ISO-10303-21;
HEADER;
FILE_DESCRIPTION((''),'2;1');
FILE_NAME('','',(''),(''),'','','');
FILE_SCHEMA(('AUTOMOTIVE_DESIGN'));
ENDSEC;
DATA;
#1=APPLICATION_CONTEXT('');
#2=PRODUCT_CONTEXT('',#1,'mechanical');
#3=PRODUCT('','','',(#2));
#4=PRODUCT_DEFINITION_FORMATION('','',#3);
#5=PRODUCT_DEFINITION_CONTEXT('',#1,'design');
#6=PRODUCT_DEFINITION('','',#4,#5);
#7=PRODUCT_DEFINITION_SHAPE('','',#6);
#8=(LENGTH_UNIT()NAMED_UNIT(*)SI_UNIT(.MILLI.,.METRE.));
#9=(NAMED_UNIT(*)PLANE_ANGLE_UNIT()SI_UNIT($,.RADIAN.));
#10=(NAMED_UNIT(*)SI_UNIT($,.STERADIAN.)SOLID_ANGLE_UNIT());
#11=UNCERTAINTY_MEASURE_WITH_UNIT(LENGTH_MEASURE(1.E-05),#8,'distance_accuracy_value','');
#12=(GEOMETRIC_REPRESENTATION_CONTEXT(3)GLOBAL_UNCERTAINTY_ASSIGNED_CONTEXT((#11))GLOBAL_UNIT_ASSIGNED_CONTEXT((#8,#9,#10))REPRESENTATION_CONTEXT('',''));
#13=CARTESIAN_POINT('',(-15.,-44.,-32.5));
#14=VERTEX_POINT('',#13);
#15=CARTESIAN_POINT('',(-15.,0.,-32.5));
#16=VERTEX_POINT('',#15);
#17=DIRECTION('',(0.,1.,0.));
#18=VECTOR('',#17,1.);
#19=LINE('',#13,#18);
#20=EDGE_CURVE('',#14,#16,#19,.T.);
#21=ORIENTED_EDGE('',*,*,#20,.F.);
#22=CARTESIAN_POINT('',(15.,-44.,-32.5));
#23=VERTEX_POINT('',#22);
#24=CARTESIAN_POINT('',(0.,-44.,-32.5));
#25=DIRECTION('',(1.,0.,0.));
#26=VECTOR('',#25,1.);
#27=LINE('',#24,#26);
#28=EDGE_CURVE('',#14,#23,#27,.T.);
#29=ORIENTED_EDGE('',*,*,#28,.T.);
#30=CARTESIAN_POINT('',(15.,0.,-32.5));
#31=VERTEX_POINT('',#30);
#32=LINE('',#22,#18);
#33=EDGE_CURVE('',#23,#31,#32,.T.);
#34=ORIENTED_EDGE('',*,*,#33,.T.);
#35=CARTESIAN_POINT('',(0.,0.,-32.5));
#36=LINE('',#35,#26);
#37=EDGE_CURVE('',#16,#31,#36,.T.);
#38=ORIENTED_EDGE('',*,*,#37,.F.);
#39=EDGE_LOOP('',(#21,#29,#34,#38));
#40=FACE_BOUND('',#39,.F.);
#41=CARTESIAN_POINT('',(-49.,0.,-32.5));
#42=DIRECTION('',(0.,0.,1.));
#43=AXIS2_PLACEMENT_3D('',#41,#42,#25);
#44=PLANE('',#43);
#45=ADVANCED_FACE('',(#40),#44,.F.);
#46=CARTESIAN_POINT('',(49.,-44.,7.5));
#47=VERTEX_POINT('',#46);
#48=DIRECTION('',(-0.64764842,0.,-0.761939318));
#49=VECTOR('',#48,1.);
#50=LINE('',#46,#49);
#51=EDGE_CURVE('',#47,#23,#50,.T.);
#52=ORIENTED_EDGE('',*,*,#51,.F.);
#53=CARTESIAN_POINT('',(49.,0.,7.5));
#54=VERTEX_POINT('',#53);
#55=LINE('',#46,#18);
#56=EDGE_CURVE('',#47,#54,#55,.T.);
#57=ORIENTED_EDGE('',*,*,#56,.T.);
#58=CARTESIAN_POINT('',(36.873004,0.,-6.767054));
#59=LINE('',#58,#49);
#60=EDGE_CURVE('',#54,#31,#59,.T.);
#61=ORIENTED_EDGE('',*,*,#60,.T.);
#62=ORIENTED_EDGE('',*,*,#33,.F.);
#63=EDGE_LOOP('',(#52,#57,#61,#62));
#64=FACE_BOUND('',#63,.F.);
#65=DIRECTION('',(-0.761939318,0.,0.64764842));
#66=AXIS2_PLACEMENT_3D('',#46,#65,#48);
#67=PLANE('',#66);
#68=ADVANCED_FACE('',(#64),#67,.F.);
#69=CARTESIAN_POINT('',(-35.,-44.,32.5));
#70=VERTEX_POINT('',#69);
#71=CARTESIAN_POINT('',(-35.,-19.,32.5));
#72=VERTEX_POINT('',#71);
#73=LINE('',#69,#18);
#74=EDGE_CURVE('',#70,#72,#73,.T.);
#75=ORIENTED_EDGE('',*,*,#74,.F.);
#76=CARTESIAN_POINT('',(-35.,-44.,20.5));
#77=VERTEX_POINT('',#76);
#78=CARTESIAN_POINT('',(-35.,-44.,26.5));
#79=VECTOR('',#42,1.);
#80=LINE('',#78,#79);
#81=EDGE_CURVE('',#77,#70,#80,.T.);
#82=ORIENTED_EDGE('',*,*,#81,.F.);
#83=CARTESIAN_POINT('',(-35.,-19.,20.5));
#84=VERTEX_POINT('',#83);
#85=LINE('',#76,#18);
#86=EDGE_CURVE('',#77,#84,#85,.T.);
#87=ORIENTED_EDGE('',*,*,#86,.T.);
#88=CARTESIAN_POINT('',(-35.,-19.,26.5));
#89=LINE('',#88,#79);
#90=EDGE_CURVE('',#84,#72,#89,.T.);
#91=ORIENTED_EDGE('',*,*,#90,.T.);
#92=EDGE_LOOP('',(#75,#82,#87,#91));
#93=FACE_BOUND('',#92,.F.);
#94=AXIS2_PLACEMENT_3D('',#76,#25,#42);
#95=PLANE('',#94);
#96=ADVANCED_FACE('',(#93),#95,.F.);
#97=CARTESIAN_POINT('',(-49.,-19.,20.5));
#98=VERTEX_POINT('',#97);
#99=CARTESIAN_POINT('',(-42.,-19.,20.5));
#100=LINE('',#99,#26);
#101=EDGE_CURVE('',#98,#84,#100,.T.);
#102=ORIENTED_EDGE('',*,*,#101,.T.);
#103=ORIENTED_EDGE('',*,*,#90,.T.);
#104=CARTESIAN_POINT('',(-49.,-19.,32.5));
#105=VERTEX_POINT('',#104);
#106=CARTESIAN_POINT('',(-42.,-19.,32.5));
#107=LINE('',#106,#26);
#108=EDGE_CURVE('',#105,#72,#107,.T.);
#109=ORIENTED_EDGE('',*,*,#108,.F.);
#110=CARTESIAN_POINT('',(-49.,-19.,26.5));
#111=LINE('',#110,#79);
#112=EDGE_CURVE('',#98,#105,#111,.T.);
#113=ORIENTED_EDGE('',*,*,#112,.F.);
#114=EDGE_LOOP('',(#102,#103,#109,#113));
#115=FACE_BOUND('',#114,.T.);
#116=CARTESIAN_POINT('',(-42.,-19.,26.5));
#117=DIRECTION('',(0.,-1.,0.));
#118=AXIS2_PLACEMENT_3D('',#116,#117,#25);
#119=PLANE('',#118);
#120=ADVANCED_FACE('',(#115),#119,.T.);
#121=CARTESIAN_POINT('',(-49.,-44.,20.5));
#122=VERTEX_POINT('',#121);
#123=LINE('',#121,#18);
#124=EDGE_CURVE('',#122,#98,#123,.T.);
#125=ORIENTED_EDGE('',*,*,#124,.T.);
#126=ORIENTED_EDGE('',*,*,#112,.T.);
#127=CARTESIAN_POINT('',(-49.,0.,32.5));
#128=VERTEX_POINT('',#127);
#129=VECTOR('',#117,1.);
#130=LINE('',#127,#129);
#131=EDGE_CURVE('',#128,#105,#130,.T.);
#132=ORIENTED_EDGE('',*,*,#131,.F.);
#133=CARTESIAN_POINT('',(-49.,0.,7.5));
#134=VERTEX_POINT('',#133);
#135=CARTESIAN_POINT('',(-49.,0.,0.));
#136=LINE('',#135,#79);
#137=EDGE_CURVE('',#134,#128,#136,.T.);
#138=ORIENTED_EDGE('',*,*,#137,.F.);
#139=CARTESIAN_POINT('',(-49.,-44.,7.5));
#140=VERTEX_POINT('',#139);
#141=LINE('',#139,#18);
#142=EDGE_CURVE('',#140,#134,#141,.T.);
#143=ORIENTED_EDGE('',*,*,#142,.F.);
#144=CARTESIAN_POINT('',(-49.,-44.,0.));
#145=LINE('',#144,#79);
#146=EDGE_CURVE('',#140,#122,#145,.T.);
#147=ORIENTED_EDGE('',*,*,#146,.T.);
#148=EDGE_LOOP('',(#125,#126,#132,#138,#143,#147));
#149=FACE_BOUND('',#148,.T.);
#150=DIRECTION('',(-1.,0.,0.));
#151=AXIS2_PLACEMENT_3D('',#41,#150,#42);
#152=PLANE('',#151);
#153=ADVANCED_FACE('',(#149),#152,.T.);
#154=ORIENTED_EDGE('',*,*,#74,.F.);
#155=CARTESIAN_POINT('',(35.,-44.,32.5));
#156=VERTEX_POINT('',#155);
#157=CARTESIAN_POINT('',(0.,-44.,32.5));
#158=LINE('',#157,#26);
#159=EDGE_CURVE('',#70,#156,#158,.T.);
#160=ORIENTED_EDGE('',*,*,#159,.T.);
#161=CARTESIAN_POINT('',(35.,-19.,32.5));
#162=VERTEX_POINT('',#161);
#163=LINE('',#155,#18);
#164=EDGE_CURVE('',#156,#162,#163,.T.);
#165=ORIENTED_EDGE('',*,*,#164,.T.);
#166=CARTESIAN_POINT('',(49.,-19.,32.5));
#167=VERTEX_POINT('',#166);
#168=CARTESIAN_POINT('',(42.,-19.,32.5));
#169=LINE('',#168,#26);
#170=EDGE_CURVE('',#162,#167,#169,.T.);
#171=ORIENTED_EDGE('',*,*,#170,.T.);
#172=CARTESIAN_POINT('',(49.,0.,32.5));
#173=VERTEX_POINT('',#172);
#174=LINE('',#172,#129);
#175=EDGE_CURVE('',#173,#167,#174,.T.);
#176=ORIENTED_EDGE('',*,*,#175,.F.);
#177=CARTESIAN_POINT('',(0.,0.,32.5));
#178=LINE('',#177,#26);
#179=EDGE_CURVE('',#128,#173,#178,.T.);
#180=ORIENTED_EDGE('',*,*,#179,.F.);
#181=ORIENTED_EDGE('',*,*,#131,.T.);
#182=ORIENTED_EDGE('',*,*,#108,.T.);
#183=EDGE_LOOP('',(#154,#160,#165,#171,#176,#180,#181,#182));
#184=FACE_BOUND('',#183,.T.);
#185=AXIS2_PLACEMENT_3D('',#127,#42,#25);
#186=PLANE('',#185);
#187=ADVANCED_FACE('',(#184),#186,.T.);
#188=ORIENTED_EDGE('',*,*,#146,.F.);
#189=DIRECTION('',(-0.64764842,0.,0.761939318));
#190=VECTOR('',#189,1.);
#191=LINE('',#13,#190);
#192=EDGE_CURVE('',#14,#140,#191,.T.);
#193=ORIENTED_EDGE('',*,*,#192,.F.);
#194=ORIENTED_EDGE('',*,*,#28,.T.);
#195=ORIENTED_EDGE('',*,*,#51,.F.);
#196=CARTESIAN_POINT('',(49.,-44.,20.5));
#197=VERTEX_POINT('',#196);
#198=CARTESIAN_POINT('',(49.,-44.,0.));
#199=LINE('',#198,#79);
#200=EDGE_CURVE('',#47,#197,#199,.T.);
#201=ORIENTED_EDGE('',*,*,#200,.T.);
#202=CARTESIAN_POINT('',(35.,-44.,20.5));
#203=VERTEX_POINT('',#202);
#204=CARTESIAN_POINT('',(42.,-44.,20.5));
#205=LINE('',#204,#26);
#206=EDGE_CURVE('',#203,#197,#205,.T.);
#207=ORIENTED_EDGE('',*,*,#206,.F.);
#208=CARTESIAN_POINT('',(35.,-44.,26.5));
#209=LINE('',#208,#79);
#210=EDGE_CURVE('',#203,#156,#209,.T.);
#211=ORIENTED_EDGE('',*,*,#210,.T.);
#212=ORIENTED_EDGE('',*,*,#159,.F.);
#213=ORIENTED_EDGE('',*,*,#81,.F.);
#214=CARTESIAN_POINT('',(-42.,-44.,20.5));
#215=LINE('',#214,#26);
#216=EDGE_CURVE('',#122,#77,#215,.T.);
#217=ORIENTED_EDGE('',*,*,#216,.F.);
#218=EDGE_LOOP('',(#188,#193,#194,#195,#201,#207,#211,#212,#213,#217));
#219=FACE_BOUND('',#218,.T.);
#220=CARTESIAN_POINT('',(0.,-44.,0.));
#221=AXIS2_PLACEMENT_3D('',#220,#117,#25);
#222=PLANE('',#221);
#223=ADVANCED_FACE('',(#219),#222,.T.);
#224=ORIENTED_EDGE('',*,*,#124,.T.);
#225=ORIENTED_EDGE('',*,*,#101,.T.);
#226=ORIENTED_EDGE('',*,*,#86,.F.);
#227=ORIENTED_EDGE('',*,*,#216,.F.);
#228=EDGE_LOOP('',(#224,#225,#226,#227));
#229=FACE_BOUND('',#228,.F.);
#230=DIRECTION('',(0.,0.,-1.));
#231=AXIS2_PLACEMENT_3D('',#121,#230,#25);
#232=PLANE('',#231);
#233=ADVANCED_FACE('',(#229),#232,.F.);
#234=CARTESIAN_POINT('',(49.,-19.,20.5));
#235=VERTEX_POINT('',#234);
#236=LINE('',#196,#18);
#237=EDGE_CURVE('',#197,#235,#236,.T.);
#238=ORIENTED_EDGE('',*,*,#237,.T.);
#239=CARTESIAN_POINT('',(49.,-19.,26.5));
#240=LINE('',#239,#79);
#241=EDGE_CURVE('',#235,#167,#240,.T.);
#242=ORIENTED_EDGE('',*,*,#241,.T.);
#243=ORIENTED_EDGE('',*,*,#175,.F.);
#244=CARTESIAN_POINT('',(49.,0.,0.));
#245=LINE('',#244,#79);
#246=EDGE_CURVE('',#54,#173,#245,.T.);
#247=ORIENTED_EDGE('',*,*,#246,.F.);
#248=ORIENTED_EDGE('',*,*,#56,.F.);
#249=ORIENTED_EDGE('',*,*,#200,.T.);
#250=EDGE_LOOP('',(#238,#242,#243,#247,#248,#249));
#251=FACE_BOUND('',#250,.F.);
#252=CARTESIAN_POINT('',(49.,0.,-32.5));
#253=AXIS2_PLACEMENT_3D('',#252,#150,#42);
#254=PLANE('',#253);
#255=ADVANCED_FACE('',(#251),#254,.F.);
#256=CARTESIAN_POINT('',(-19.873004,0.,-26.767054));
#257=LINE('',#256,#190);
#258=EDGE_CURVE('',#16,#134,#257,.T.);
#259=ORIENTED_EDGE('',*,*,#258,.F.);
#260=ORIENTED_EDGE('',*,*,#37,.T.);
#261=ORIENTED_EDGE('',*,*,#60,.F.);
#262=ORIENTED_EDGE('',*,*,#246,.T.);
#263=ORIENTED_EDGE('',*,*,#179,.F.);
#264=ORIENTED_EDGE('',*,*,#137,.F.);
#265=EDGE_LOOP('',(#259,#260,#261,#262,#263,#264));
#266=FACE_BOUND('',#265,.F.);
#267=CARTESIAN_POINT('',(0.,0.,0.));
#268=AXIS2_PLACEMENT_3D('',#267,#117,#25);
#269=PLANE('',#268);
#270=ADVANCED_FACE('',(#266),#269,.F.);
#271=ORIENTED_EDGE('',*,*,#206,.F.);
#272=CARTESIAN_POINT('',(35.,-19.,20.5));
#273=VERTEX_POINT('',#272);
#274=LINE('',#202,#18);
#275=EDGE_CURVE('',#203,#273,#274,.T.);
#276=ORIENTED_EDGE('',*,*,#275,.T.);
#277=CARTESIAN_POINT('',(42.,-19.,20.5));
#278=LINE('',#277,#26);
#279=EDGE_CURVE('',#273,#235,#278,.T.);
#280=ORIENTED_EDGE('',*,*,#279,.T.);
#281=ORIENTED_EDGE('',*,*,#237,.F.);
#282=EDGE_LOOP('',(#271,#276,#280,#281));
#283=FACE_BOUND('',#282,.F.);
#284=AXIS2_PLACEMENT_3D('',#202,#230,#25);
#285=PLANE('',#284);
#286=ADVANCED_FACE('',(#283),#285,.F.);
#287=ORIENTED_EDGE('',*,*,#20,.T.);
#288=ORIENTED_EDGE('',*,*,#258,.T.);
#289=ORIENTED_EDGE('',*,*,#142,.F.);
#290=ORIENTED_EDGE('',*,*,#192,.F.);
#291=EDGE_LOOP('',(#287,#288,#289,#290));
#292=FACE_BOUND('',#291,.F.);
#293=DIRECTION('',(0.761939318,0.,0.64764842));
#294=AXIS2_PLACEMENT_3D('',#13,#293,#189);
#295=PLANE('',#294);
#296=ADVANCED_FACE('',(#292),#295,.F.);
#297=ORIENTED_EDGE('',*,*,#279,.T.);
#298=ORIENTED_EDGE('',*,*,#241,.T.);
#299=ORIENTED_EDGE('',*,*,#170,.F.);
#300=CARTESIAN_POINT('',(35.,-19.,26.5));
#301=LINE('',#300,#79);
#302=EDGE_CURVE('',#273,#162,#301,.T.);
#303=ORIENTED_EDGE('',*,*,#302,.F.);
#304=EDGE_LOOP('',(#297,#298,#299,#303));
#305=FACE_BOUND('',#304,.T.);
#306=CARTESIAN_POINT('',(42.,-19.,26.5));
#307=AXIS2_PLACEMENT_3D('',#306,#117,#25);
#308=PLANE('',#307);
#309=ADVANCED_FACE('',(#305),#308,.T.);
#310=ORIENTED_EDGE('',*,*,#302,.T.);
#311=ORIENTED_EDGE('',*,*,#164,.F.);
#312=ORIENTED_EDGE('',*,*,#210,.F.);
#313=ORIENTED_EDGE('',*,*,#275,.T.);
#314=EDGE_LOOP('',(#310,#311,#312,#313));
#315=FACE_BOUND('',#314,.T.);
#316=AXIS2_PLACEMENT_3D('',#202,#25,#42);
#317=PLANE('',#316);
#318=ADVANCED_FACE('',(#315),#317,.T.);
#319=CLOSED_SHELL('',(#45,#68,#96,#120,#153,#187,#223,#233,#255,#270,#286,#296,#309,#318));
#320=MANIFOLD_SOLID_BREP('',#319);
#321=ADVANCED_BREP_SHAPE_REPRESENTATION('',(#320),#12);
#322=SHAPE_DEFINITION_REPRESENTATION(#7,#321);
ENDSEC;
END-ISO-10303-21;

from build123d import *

# Parameters (mm, degrees)
F0_W     = 98
F0_H     = 65
F1_DEPTH = 44
F2_W     = 14
F2_H     = 12
F3_DEPTH = 25
F5_DEPTH = 44.001


with BuildPart() as f1:
    # F0 (on Front) → F1 (new body)
    with BuildSketch(Plane.XZ):
        Rectangle(F0_W, F0_H)
    extrude(amount=F1_DEPTH)

    # F2 (on face) → F3 (cut)
    with BuildSketch(Plane.XZ.offset(44)):
        with Locations((-42, 26.5)):
            Rectangle(F2_W, F2_H)
        with Locations((42, 26.5)):
            Rectangle(F2_W, F2_H)
    extrude(amount=-F3_DEPTH, mode=Mode.SUBTRACT)

    # F4 (on face) → F5 (cut, through all)
    with BuildSketch(Plane.XZ.offset(44)):
        Polygon((49, 7.5), (15, -32.5), (49, -32.5), align=None)
        Polygon((-15, -32.5), (-49, 7.5), (-49, -32.5), align=None)
    extrude(amount=-F5_DEPTH, mode=Mode.SUBTRACT)


solid = f1.part
